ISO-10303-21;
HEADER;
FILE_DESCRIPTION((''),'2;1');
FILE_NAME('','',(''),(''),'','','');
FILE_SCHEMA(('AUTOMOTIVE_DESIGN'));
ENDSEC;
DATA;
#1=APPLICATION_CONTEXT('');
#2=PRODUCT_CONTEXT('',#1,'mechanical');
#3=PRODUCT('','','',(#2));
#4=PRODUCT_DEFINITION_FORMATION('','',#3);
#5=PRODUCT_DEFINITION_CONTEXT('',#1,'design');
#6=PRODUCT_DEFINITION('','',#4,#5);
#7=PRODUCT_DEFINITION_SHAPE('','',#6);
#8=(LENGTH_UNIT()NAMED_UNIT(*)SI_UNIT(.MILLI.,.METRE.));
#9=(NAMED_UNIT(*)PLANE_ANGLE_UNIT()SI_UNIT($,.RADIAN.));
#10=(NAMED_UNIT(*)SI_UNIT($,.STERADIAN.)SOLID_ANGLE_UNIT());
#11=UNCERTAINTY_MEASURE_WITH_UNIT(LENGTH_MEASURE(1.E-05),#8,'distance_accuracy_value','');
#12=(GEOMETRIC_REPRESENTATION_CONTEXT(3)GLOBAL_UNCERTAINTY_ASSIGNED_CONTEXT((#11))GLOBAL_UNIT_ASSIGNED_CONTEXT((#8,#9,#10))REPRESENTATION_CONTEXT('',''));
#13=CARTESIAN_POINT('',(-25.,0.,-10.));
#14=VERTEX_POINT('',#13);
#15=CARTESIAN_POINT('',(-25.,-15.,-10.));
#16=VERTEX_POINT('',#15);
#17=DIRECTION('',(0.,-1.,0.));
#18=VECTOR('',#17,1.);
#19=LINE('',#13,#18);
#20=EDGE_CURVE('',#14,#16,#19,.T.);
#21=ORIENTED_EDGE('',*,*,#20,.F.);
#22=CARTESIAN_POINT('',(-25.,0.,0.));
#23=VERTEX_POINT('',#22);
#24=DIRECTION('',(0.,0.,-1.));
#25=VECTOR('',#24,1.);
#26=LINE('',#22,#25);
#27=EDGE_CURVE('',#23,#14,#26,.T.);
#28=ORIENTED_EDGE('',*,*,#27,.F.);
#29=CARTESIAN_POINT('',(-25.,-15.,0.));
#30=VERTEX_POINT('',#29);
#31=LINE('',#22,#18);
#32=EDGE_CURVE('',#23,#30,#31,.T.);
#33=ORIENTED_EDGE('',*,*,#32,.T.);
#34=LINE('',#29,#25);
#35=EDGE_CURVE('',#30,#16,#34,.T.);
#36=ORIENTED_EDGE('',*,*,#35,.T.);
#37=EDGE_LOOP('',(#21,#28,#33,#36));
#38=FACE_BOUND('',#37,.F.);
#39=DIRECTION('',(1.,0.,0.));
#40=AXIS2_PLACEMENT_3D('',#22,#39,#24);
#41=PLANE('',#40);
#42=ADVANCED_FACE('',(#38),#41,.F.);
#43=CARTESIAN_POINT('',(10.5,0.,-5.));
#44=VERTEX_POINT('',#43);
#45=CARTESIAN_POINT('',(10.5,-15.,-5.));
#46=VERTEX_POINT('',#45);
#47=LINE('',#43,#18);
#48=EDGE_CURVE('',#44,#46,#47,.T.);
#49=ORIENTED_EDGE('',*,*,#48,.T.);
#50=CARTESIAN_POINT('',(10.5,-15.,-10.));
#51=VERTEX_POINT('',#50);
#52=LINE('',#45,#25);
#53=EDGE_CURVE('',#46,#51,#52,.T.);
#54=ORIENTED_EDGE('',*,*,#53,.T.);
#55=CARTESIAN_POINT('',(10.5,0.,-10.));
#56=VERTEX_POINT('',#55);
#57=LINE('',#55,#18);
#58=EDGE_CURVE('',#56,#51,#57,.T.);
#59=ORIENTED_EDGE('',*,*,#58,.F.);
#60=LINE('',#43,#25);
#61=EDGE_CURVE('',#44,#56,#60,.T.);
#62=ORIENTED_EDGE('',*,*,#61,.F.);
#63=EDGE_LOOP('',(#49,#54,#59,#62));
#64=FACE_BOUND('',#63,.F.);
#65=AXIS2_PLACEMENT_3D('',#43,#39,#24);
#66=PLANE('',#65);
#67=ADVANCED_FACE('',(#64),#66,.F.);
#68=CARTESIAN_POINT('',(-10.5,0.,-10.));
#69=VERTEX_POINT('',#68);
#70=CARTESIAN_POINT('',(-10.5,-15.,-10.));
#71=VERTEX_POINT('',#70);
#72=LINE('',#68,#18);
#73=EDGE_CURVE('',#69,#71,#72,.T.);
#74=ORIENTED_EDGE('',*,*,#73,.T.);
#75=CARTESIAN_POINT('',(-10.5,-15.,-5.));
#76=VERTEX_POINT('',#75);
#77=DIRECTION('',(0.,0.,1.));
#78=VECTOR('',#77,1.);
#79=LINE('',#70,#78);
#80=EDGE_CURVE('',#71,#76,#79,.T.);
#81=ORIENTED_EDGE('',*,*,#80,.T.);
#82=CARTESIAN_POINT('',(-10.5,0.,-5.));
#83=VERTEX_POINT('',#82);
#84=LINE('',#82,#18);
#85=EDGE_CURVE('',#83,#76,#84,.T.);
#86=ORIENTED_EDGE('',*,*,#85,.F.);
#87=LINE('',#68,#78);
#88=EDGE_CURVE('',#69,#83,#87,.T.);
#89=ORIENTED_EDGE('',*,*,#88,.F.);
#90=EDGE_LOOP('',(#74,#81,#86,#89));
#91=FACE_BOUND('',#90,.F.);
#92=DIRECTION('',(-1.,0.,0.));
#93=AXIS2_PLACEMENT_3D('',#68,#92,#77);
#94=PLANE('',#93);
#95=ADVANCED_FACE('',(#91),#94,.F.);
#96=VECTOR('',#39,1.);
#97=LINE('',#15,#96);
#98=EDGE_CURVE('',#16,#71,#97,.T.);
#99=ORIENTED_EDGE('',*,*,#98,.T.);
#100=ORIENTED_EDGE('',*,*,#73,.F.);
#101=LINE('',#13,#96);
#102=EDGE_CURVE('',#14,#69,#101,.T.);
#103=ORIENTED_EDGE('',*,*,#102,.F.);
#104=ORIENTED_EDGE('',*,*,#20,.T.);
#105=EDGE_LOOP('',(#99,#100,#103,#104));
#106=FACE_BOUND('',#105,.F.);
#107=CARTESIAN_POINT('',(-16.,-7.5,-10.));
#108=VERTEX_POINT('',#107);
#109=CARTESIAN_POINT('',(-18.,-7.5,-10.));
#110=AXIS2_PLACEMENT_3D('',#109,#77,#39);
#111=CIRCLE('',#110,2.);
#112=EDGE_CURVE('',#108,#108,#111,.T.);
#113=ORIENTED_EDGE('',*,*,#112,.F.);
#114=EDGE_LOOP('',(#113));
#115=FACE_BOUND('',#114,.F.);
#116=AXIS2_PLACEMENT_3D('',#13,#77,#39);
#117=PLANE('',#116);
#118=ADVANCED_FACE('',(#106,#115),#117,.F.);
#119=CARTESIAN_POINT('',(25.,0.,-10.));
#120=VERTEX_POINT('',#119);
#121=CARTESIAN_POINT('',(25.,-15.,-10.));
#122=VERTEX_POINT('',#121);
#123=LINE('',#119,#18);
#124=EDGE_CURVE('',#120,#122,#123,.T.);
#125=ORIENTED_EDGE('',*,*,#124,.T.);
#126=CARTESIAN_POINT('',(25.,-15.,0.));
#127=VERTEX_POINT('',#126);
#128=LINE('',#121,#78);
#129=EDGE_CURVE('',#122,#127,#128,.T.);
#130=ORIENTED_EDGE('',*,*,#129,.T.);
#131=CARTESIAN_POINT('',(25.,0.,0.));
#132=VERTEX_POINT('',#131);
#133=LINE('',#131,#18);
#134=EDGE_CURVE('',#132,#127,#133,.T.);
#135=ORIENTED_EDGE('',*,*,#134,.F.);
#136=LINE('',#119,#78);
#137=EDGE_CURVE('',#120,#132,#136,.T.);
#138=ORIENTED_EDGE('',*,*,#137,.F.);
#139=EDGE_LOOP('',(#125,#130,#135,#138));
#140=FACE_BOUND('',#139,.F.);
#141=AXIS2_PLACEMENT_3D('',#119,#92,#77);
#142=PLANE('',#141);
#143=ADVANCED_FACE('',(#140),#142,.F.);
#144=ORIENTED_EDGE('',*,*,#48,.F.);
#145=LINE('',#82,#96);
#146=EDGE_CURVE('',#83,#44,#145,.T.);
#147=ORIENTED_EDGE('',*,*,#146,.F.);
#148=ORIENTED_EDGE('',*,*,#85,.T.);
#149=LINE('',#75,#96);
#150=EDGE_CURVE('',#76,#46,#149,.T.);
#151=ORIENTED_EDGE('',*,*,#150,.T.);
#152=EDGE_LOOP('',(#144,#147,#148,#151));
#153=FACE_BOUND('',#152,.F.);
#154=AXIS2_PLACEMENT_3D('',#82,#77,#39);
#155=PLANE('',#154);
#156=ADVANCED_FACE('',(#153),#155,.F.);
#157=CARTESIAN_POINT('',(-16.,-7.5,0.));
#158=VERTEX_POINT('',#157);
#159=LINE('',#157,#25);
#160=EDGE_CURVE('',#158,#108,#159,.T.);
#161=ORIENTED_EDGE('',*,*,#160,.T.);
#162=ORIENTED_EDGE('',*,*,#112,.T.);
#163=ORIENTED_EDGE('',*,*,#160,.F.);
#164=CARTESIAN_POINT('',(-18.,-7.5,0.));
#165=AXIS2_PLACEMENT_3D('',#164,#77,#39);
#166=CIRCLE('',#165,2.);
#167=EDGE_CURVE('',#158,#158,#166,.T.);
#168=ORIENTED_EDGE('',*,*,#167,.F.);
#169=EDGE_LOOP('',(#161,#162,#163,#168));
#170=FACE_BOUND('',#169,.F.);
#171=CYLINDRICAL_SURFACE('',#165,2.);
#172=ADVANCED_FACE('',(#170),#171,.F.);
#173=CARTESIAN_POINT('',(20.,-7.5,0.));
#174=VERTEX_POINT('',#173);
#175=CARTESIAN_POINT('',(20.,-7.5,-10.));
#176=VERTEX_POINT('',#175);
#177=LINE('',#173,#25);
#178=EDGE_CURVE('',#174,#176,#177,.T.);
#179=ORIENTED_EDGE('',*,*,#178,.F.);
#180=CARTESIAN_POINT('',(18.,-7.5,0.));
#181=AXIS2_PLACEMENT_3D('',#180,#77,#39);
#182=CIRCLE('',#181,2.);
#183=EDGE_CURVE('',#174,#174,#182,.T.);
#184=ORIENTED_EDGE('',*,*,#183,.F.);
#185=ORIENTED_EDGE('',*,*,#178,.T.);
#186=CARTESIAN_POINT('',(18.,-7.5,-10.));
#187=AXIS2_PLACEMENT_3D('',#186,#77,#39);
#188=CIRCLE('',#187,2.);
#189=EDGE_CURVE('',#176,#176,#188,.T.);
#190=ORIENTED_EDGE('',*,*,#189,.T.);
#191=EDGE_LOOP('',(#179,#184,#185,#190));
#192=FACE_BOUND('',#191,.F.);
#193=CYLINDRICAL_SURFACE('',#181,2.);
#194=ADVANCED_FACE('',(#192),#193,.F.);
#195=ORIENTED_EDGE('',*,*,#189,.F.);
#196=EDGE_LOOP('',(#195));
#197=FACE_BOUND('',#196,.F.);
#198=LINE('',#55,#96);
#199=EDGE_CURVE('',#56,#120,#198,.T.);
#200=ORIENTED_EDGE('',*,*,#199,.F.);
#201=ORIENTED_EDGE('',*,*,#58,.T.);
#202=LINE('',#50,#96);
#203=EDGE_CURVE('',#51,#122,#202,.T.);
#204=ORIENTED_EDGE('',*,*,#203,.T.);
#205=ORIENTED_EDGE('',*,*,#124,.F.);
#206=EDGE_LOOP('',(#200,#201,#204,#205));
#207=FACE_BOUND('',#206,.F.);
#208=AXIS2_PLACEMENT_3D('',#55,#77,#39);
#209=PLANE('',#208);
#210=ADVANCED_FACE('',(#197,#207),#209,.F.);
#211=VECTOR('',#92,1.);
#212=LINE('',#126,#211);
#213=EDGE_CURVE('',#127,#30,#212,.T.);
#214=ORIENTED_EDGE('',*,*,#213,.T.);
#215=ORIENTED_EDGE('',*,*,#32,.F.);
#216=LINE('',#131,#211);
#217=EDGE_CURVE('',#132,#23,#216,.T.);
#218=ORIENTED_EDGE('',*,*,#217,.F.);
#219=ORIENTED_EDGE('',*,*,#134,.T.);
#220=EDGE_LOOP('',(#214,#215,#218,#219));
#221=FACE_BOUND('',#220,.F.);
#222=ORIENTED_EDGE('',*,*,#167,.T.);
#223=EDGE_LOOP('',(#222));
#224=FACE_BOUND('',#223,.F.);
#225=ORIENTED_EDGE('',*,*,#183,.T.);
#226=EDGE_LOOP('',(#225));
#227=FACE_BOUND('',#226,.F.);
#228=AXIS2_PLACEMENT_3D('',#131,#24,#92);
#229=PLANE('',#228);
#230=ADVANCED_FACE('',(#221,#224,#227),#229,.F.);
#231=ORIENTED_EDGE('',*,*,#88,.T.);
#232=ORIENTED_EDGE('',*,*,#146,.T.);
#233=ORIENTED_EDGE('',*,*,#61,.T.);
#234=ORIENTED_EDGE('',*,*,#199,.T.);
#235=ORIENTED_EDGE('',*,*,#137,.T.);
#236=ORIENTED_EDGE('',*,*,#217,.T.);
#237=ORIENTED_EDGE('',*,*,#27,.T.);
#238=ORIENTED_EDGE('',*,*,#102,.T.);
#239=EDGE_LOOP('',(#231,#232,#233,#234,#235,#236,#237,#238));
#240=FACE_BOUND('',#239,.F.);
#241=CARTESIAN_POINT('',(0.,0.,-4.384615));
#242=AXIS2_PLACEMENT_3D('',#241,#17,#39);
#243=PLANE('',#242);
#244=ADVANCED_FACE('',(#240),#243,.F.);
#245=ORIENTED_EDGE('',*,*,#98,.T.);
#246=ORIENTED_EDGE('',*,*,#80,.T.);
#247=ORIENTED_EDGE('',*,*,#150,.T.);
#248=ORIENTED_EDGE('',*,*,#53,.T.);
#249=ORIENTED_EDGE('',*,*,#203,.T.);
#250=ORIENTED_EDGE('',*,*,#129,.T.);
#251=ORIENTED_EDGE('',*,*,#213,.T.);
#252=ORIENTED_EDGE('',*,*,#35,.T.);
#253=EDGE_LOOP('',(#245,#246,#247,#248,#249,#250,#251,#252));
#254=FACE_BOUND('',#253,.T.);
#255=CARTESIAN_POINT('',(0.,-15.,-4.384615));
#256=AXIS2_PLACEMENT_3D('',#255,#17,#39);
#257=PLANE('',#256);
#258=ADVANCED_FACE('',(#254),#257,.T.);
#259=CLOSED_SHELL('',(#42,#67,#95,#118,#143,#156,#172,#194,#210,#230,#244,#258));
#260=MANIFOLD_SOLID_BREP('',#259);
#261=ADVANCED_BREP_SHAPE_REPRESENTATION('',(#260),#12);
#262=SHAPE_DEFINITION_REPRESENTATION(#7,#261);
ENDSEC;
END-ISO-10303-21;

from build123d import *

# Parameters (mm, degrees)
F1_DEPTH = 15
F2_R     = 2
F3_DEPTH = 25


with BuildPart() as f1:
    # F0 (on Front) → F1 (new body)
    with BuildSketch(Plane.XZ):
        Polygon((25, 0), (-25, 0), (-25, -10), (-10.5, -10), (-10.5, -5), (10.5, -5), (10.5, -10), (25, -10), align=None)
    extrude(amount=F1_DEPTH)

    # F2 (on Top) → F3 (cut)
    with BuildSketch(Plane.XY):
        with Locations((-18, -7.5)):
            Circle(F2_R)
        with Locations((18, -7.5)):
            Circle(F2_R)
    extrude(amount=-F3_DEPTH, mode=Mode.SUBTRACT)


solid = f1.part
